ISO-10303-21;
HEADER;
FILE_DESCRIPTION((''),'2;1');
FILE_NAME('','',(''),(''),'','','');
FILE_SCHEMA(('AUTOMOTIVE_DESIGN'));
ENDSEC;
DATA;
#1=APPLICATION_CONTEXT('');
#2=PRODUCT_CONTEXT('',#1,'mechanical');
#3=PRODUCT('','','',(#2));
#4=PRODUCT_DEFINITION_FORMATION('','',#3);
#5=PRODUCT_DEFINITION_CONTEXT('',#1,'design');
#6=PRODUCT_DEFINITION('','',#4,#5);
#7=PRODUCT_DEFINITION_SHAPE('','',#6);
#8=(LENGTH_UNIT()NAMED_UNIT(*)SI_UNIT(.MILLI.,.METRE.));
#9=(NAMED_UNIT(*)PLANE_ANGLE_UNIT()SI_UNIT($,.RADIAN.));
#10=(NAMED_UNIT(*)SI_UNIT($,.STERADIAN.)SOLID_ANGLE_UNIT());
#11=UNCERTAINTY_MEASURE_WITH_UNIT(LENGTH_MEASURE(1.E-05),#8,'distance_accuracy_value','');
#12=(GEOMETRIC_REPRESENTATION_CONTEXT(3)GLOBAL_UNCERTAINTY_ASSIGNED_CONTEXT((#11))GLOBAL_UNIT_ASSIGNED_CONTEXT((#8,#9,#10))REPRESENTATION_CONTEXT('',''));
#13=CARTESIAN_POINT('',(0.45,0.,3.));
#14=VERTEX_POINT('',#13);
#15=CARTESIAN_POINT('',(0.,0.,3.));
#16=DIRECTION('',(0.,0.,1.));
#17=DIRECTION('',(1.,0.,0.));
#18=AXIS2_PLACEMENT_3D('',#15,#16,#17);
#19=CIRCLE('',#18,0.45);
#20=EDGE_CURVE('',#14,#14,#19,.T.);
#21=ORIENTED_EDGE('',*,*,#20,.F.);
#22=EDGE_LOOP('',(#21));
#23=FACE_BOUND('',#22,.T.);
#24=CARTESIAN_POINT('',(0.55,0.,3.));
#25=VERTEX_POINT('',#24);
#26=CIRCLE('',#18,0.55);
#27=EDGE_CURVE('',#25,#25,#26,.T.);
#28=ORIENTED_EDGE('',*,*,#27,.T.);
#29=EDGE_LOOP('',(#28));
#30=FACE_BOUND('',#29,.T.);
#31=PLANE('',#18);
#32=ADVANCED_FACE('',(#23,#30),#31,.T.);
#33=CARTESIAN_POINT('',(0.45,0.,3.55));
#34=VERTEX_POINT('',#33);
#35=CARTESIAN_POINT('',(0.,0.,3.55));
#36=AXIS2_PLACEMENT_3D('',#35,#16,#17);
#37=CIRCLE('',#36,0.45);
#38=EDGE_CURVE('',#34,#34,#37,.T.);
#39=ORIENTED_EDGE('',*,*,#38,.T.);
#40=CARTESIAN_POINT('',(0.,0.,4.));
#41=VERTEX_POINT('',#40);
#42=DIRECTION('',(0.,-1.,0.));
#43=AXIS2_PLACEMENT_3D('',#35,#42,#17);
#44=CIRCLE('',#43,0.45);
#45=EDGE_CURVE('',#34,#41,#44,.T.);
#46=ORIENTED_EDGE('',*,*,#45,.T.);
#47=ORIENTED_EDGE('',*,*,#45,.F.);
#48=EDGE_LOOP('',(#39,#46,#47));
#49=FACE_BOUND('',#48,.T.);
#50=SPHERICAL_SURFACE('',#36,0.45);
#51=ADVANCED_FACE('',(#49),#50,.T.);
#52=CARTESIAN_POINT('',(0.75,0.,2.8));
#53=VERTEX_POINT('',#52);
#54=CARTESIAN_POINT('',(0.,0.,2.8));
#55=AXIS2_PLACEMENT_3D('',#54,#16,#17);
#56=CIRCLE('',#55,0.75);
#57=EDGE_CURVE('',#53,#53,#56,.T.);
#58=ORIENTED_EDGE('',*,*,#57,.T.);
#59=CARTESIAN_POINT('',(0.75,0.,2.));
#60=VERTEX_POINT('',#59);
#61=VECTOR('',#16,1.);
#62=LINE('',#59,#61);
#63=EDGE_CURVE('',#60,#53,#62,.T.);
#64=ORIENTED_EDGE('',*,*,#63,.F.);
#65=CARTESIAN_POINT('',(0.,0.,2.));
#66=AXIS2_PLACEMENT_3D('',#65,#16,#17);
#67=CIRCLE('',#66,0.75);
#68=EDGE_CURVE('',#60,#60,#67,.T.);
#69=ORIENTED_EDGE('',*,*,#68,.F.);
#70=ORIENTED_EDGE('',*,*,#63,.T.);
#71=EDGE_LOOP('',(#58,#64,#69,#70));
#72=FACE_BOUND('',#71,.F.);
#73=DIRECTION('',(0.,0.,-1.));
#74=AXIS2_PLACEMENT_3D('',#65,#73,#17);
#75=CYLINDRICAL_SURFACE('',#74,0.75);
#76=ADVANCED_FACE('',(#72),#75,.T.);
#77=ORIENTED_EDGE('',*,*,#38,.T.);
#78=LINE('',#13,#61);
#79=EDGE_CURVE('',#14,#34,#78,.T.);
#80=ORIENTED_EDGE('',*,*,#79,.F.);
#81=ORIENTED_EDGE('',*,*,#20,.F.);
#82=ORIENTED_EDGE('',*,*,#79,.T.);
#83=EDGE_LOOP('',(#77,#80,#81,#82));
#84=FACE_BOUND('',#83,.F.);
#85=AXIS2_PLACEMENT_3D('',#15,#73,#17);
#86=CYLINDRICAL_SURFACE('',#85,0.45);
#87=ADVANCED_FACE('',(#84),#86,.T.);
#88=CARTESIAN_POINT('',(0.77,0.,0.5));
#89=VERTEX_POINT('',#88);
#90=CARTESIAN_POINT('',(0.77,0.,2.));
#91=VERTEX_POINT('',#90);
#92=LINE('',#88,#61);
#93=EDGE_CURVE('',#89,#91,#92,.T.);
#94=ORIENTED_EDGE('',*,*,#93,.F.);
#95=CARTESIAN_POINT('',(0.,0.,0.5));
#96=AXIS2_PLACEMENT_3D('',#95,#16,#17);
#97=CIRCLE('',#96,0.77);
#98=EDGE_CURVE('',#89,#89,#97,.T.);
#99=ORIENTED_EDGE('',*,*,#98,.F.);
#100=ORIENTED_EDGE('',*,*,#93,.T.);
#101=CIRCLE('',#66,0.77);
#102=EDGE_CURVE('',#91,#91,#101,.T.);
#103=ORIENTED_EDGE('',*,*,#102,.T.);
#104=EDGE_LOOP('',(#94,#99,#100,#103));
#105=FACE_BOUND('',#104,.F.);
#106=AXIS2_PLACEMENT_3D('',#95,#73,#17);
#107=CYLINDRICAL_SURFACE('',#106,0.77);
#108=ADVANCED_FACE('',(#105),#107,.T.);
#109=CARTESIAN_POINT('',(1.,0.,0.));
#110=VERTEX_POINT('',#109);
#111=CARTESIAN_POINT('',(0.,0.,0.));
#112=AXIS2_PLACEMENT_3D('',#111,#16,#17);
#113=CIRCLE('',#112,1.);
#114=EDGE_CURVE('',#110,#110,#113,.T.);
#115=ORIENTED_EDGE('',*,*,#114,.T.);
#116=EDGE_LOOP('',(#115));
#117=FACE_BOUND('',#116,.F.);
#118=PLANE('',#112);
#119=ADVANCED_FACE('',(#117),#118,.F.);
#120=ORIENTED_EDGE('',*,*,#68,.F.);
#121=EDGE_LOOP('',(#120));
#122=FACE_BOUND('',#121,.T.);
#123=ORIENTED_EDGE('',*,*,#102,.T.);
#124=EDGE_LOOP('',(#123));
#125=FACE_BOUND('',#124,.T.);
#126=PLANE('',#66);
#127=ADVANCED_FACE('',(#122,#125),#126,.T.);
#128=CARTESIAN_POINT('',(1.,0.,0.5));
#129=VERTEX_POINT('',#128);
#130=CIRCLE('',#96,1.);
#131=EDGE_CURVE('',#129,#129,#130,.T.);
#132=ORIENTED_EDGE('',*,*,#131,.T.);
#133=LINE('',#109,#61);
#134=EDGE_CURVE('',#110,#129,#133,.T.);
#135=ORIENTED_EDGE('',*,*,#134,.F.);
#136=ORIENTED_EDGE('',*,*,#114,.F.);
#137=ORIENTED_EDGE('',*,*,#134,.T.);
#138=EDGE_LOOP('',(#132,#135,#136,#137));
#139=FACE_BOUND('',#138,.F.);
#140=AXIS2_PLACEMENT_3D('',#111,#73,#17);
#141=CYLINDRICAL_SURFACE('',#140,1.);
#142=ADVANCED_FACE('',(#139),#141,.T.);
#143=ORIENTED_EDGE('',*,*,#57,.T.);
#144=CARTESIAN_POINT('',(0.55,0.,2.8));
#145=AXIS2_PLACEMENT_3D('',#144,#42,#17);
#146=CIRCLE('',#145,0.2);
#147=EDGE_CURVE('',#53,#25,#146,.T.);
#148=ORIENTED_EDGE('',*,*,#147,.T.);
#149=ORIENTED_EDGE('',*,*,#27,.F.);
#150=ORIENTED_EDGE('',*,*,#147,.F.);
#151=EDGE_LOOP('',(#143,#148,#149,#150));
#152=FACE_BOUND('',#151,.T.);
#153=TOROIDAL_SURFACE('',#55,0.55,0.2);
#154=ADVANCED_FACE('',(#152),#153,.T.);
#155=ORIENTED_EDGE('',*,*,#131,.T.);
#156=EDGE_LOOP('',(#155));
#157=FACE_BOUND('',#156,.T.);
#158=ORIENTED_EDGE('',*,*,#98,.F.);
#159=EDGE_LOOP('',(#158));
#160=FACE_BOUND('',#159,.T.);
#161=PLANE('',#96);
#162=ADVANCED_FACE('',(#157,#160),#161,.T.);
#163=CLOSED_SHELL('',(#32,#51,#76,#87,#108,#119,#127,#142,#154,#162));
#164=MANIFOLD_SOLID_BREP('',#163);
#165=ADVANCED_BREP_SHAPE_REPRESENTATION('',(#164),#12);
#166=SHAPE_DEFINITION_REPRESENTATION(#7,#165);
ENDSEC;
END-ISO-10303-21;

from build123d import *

# Parameters (mm, degrees)
SKETCH_R     = 1
PAD_DEPTH    = 0.5
SKETCH002_R  = 0.77
PAD001_DEPTH = 1.5
SKETCH003_R  = 0.75
PAD002_DEPTH = 1
FILLET_R     = 0.2
SKETCH004_R  = 0.45
PAD003_DEPTH = 1
FILLET001_R  = 0.45


with BuildPart() as part:
    # Sketch → Pad (new body)
    with BuildSketch(Plane.XY):
        Circle(SKETCH_R)
    extrude(amount=PAD_DEPTH)

    # Sketch002 (on Face3 of Pad) → Pad001 (join)
    with BuildSketch(Plane.XY.offset(0.5)):
        Circle(SKETCH002_R)
    extrude(amount=PAD001_DEPTH)

    # Sketch003 (on Face5 of Pad001) → Pad002 (join)
    with BuildSketch(Plane.XY.offset(2)):
        Circle(SKETCH003_R)
    extrude(amount=PAD002_DEPTH)

    # Fillet
    fillet_edges = [part.edges().sort_by_distance(p)[0] for p in [
        (-0.75, 0, 3),
    ]]
    fillet(fillet_edges, radius=FILLET_R)

    # Sketch004 (on Face4 of Fillet) → Pad003 (join)
    with BuildSketch(Plane.XY.offset(3)):
        Circle(SKETCH004_R)
    extrude(amount=PAD003_DEPTH)

    # Fillet001
    fillet001_edges = [part.edges().sort_by_distance(p)[0] for p in [
        (-0.45, 0, 4),
    ]]
    fillet(fillet001_edges, radius=FILLET001_R)


solid = part.part
